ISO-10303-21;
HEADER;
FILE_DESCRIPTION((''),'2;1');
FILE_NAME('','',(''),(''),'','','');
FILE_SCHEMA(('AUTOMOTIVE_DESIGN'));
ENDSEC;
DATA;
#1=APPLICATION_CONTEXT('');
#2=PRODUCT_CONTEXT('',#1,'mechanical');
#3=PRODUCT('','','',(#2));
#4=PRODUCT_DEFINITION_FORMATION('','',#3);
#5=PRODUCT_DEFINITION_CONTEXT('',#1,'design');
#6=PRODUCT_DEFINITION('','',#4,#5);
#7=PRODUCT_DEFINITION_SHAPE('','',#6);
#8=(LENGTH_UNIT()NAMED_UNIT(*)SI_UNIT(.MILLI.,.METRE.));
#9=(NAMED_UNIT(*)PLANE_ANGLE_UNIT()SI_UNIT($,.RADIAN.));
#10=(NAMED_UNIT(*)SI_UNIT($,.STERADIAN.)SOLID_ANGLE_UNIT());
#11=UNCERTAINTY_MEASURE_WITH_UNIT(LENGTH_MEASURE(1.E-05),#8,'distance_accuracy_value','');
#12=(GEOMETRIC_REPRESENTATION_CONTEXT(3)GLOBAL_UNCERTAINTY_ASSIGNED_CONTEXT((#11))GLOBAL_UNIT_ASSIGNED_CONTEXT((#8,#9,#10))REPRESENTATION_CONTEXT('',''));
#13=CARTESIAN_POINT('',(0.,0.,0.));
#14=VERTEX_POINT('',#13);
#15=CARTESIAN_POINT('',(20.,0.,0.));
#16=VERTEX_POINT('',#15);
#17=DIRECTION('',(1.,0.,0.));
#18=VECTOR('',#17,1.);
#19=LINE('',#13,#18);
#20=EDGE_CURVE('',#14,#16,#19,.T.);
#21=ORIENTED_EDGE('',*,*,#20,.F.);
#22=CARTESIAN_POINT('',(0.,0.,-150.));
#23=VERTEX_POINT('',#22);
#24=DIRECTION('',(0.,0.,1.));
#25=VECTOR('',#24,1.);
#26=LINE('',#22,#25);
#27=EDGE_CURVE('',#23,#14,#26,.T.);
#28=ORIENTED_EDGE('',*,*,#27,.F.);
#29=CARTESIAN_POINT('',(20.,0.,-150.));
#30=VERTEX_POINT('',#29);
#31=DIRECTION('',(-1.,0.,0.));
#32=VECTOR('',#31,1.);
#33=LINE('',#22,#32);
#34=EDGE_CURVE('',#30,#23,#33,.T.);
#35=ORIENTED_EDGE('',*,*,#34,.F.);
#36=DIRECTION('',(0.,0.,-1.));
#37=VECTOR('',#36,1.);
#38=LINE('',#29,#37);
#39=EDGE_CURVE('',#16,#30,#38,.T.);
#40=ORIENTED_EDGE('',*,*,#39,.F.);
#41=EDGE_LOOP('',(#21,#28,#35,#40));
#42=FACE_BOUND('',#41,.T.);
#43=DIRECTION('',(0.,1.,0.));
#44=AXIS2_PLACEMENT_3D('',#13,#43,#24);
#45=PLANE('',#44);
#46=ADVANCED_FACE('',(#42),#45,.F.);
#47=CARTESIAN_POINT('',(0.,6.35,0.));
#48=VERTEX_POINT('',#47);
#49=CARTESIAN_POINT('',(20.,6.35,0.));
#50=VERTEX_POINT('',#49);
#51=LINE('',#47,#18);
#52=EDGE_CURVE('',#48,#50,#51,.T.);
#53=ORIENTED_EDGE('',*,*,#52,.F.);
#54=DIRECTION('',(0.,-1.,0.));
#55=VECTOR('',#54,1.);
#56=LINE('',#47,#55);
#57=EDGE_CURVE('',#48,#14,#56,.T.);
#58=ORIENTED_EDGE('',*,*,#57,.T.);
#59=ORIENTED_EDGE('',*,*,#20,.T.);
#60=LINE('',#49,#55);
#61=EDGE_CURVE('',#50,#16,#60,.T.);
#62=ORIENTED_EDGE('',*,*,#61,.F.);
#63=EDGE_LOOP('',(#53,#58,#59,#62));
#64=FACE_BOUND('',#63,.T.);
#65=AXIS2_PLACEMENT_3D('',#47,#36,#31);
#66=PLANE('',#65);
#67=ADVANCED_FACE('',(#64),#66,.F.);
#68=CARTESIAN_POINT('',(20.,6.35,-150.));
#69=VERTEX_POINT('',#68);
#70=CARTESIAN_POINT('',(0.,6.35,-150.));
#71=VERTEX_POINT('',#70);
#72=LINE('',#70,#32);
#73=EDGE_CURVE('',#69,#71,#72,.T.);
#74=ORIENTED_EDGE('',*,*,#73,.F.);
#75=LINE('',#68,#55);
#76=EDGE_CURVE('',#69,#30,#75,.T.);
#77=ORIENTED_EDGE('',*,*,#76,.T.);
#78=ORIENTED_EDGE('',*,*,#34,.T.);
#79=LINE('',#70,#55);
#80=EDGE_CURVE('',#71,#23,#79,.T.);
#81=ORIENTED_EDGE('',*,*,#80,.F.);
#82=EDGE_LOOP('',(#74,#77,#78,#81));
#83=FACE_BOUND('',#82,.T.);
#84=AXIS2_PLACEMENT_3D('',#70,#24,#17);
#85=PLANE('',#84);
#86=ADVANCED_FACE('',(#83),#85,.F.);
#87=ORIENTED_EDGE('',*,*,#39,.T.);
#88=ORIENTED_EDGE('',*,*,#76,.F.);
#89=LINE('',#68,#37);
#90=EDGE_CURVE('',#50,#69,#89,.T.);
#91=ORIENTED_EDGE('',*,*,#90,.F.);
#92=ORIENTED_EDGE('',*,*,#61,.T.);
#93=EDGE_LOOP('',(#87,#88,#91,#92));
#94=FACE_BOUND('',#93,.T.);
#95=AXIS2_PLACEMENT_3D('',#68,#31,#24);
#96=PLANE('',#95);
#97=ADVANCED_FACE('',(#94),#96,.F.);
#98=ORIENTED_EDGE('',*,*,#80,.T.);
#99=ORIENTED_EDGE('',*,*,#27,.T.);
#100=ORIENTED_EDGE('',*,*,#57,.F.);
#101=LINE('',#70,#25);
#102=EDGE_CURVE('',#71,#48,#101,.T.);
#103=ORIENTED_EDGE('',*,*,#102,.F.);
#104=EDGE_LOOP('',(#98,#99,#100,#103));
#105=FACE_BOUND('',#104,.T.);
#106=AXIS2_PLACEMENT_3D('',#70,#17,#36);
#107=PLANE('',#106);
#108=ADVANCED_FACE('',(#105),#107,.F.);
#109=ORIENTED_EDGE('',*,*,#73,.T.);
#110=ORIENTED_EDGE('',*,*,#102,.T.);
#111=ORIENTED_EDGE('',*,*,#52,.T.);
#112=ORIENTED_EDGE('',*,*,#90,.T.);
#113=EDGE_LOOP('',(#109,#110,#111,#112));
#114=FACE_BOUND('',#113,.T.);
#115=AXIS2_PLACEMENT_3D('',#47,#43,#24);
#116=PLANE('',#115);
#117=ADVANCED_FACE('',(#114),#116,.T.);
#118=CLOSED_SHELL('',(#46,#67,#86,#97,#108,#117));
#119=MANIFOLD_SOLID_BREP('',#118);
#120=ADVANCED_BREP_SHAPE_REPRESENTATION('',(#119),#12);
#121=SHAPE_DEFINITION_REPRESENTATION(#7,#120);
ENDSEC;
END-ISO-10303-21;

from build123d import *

# Parameters (mm, degrees)
SKETCH1_W           = 20
SKETCH1_H           = 150
BOSS_EXTRUDE1_DEPTH = 6.35


with BuildPart() as part:
    # Sketch1 → Boss-Extrude1 (new body)
    with BuildSketch(Plane(origin=(0, 0, 0), x_dir=(1, 0, 0), z_dir=(0, 1, 0))):
        with Locations((10, 75)):
            Rectangle(SKETCH1_W, SKETCH1_H)
    extrude(amount=BOSS_EXTRUDE1_DEPTH)


solid = part.part
